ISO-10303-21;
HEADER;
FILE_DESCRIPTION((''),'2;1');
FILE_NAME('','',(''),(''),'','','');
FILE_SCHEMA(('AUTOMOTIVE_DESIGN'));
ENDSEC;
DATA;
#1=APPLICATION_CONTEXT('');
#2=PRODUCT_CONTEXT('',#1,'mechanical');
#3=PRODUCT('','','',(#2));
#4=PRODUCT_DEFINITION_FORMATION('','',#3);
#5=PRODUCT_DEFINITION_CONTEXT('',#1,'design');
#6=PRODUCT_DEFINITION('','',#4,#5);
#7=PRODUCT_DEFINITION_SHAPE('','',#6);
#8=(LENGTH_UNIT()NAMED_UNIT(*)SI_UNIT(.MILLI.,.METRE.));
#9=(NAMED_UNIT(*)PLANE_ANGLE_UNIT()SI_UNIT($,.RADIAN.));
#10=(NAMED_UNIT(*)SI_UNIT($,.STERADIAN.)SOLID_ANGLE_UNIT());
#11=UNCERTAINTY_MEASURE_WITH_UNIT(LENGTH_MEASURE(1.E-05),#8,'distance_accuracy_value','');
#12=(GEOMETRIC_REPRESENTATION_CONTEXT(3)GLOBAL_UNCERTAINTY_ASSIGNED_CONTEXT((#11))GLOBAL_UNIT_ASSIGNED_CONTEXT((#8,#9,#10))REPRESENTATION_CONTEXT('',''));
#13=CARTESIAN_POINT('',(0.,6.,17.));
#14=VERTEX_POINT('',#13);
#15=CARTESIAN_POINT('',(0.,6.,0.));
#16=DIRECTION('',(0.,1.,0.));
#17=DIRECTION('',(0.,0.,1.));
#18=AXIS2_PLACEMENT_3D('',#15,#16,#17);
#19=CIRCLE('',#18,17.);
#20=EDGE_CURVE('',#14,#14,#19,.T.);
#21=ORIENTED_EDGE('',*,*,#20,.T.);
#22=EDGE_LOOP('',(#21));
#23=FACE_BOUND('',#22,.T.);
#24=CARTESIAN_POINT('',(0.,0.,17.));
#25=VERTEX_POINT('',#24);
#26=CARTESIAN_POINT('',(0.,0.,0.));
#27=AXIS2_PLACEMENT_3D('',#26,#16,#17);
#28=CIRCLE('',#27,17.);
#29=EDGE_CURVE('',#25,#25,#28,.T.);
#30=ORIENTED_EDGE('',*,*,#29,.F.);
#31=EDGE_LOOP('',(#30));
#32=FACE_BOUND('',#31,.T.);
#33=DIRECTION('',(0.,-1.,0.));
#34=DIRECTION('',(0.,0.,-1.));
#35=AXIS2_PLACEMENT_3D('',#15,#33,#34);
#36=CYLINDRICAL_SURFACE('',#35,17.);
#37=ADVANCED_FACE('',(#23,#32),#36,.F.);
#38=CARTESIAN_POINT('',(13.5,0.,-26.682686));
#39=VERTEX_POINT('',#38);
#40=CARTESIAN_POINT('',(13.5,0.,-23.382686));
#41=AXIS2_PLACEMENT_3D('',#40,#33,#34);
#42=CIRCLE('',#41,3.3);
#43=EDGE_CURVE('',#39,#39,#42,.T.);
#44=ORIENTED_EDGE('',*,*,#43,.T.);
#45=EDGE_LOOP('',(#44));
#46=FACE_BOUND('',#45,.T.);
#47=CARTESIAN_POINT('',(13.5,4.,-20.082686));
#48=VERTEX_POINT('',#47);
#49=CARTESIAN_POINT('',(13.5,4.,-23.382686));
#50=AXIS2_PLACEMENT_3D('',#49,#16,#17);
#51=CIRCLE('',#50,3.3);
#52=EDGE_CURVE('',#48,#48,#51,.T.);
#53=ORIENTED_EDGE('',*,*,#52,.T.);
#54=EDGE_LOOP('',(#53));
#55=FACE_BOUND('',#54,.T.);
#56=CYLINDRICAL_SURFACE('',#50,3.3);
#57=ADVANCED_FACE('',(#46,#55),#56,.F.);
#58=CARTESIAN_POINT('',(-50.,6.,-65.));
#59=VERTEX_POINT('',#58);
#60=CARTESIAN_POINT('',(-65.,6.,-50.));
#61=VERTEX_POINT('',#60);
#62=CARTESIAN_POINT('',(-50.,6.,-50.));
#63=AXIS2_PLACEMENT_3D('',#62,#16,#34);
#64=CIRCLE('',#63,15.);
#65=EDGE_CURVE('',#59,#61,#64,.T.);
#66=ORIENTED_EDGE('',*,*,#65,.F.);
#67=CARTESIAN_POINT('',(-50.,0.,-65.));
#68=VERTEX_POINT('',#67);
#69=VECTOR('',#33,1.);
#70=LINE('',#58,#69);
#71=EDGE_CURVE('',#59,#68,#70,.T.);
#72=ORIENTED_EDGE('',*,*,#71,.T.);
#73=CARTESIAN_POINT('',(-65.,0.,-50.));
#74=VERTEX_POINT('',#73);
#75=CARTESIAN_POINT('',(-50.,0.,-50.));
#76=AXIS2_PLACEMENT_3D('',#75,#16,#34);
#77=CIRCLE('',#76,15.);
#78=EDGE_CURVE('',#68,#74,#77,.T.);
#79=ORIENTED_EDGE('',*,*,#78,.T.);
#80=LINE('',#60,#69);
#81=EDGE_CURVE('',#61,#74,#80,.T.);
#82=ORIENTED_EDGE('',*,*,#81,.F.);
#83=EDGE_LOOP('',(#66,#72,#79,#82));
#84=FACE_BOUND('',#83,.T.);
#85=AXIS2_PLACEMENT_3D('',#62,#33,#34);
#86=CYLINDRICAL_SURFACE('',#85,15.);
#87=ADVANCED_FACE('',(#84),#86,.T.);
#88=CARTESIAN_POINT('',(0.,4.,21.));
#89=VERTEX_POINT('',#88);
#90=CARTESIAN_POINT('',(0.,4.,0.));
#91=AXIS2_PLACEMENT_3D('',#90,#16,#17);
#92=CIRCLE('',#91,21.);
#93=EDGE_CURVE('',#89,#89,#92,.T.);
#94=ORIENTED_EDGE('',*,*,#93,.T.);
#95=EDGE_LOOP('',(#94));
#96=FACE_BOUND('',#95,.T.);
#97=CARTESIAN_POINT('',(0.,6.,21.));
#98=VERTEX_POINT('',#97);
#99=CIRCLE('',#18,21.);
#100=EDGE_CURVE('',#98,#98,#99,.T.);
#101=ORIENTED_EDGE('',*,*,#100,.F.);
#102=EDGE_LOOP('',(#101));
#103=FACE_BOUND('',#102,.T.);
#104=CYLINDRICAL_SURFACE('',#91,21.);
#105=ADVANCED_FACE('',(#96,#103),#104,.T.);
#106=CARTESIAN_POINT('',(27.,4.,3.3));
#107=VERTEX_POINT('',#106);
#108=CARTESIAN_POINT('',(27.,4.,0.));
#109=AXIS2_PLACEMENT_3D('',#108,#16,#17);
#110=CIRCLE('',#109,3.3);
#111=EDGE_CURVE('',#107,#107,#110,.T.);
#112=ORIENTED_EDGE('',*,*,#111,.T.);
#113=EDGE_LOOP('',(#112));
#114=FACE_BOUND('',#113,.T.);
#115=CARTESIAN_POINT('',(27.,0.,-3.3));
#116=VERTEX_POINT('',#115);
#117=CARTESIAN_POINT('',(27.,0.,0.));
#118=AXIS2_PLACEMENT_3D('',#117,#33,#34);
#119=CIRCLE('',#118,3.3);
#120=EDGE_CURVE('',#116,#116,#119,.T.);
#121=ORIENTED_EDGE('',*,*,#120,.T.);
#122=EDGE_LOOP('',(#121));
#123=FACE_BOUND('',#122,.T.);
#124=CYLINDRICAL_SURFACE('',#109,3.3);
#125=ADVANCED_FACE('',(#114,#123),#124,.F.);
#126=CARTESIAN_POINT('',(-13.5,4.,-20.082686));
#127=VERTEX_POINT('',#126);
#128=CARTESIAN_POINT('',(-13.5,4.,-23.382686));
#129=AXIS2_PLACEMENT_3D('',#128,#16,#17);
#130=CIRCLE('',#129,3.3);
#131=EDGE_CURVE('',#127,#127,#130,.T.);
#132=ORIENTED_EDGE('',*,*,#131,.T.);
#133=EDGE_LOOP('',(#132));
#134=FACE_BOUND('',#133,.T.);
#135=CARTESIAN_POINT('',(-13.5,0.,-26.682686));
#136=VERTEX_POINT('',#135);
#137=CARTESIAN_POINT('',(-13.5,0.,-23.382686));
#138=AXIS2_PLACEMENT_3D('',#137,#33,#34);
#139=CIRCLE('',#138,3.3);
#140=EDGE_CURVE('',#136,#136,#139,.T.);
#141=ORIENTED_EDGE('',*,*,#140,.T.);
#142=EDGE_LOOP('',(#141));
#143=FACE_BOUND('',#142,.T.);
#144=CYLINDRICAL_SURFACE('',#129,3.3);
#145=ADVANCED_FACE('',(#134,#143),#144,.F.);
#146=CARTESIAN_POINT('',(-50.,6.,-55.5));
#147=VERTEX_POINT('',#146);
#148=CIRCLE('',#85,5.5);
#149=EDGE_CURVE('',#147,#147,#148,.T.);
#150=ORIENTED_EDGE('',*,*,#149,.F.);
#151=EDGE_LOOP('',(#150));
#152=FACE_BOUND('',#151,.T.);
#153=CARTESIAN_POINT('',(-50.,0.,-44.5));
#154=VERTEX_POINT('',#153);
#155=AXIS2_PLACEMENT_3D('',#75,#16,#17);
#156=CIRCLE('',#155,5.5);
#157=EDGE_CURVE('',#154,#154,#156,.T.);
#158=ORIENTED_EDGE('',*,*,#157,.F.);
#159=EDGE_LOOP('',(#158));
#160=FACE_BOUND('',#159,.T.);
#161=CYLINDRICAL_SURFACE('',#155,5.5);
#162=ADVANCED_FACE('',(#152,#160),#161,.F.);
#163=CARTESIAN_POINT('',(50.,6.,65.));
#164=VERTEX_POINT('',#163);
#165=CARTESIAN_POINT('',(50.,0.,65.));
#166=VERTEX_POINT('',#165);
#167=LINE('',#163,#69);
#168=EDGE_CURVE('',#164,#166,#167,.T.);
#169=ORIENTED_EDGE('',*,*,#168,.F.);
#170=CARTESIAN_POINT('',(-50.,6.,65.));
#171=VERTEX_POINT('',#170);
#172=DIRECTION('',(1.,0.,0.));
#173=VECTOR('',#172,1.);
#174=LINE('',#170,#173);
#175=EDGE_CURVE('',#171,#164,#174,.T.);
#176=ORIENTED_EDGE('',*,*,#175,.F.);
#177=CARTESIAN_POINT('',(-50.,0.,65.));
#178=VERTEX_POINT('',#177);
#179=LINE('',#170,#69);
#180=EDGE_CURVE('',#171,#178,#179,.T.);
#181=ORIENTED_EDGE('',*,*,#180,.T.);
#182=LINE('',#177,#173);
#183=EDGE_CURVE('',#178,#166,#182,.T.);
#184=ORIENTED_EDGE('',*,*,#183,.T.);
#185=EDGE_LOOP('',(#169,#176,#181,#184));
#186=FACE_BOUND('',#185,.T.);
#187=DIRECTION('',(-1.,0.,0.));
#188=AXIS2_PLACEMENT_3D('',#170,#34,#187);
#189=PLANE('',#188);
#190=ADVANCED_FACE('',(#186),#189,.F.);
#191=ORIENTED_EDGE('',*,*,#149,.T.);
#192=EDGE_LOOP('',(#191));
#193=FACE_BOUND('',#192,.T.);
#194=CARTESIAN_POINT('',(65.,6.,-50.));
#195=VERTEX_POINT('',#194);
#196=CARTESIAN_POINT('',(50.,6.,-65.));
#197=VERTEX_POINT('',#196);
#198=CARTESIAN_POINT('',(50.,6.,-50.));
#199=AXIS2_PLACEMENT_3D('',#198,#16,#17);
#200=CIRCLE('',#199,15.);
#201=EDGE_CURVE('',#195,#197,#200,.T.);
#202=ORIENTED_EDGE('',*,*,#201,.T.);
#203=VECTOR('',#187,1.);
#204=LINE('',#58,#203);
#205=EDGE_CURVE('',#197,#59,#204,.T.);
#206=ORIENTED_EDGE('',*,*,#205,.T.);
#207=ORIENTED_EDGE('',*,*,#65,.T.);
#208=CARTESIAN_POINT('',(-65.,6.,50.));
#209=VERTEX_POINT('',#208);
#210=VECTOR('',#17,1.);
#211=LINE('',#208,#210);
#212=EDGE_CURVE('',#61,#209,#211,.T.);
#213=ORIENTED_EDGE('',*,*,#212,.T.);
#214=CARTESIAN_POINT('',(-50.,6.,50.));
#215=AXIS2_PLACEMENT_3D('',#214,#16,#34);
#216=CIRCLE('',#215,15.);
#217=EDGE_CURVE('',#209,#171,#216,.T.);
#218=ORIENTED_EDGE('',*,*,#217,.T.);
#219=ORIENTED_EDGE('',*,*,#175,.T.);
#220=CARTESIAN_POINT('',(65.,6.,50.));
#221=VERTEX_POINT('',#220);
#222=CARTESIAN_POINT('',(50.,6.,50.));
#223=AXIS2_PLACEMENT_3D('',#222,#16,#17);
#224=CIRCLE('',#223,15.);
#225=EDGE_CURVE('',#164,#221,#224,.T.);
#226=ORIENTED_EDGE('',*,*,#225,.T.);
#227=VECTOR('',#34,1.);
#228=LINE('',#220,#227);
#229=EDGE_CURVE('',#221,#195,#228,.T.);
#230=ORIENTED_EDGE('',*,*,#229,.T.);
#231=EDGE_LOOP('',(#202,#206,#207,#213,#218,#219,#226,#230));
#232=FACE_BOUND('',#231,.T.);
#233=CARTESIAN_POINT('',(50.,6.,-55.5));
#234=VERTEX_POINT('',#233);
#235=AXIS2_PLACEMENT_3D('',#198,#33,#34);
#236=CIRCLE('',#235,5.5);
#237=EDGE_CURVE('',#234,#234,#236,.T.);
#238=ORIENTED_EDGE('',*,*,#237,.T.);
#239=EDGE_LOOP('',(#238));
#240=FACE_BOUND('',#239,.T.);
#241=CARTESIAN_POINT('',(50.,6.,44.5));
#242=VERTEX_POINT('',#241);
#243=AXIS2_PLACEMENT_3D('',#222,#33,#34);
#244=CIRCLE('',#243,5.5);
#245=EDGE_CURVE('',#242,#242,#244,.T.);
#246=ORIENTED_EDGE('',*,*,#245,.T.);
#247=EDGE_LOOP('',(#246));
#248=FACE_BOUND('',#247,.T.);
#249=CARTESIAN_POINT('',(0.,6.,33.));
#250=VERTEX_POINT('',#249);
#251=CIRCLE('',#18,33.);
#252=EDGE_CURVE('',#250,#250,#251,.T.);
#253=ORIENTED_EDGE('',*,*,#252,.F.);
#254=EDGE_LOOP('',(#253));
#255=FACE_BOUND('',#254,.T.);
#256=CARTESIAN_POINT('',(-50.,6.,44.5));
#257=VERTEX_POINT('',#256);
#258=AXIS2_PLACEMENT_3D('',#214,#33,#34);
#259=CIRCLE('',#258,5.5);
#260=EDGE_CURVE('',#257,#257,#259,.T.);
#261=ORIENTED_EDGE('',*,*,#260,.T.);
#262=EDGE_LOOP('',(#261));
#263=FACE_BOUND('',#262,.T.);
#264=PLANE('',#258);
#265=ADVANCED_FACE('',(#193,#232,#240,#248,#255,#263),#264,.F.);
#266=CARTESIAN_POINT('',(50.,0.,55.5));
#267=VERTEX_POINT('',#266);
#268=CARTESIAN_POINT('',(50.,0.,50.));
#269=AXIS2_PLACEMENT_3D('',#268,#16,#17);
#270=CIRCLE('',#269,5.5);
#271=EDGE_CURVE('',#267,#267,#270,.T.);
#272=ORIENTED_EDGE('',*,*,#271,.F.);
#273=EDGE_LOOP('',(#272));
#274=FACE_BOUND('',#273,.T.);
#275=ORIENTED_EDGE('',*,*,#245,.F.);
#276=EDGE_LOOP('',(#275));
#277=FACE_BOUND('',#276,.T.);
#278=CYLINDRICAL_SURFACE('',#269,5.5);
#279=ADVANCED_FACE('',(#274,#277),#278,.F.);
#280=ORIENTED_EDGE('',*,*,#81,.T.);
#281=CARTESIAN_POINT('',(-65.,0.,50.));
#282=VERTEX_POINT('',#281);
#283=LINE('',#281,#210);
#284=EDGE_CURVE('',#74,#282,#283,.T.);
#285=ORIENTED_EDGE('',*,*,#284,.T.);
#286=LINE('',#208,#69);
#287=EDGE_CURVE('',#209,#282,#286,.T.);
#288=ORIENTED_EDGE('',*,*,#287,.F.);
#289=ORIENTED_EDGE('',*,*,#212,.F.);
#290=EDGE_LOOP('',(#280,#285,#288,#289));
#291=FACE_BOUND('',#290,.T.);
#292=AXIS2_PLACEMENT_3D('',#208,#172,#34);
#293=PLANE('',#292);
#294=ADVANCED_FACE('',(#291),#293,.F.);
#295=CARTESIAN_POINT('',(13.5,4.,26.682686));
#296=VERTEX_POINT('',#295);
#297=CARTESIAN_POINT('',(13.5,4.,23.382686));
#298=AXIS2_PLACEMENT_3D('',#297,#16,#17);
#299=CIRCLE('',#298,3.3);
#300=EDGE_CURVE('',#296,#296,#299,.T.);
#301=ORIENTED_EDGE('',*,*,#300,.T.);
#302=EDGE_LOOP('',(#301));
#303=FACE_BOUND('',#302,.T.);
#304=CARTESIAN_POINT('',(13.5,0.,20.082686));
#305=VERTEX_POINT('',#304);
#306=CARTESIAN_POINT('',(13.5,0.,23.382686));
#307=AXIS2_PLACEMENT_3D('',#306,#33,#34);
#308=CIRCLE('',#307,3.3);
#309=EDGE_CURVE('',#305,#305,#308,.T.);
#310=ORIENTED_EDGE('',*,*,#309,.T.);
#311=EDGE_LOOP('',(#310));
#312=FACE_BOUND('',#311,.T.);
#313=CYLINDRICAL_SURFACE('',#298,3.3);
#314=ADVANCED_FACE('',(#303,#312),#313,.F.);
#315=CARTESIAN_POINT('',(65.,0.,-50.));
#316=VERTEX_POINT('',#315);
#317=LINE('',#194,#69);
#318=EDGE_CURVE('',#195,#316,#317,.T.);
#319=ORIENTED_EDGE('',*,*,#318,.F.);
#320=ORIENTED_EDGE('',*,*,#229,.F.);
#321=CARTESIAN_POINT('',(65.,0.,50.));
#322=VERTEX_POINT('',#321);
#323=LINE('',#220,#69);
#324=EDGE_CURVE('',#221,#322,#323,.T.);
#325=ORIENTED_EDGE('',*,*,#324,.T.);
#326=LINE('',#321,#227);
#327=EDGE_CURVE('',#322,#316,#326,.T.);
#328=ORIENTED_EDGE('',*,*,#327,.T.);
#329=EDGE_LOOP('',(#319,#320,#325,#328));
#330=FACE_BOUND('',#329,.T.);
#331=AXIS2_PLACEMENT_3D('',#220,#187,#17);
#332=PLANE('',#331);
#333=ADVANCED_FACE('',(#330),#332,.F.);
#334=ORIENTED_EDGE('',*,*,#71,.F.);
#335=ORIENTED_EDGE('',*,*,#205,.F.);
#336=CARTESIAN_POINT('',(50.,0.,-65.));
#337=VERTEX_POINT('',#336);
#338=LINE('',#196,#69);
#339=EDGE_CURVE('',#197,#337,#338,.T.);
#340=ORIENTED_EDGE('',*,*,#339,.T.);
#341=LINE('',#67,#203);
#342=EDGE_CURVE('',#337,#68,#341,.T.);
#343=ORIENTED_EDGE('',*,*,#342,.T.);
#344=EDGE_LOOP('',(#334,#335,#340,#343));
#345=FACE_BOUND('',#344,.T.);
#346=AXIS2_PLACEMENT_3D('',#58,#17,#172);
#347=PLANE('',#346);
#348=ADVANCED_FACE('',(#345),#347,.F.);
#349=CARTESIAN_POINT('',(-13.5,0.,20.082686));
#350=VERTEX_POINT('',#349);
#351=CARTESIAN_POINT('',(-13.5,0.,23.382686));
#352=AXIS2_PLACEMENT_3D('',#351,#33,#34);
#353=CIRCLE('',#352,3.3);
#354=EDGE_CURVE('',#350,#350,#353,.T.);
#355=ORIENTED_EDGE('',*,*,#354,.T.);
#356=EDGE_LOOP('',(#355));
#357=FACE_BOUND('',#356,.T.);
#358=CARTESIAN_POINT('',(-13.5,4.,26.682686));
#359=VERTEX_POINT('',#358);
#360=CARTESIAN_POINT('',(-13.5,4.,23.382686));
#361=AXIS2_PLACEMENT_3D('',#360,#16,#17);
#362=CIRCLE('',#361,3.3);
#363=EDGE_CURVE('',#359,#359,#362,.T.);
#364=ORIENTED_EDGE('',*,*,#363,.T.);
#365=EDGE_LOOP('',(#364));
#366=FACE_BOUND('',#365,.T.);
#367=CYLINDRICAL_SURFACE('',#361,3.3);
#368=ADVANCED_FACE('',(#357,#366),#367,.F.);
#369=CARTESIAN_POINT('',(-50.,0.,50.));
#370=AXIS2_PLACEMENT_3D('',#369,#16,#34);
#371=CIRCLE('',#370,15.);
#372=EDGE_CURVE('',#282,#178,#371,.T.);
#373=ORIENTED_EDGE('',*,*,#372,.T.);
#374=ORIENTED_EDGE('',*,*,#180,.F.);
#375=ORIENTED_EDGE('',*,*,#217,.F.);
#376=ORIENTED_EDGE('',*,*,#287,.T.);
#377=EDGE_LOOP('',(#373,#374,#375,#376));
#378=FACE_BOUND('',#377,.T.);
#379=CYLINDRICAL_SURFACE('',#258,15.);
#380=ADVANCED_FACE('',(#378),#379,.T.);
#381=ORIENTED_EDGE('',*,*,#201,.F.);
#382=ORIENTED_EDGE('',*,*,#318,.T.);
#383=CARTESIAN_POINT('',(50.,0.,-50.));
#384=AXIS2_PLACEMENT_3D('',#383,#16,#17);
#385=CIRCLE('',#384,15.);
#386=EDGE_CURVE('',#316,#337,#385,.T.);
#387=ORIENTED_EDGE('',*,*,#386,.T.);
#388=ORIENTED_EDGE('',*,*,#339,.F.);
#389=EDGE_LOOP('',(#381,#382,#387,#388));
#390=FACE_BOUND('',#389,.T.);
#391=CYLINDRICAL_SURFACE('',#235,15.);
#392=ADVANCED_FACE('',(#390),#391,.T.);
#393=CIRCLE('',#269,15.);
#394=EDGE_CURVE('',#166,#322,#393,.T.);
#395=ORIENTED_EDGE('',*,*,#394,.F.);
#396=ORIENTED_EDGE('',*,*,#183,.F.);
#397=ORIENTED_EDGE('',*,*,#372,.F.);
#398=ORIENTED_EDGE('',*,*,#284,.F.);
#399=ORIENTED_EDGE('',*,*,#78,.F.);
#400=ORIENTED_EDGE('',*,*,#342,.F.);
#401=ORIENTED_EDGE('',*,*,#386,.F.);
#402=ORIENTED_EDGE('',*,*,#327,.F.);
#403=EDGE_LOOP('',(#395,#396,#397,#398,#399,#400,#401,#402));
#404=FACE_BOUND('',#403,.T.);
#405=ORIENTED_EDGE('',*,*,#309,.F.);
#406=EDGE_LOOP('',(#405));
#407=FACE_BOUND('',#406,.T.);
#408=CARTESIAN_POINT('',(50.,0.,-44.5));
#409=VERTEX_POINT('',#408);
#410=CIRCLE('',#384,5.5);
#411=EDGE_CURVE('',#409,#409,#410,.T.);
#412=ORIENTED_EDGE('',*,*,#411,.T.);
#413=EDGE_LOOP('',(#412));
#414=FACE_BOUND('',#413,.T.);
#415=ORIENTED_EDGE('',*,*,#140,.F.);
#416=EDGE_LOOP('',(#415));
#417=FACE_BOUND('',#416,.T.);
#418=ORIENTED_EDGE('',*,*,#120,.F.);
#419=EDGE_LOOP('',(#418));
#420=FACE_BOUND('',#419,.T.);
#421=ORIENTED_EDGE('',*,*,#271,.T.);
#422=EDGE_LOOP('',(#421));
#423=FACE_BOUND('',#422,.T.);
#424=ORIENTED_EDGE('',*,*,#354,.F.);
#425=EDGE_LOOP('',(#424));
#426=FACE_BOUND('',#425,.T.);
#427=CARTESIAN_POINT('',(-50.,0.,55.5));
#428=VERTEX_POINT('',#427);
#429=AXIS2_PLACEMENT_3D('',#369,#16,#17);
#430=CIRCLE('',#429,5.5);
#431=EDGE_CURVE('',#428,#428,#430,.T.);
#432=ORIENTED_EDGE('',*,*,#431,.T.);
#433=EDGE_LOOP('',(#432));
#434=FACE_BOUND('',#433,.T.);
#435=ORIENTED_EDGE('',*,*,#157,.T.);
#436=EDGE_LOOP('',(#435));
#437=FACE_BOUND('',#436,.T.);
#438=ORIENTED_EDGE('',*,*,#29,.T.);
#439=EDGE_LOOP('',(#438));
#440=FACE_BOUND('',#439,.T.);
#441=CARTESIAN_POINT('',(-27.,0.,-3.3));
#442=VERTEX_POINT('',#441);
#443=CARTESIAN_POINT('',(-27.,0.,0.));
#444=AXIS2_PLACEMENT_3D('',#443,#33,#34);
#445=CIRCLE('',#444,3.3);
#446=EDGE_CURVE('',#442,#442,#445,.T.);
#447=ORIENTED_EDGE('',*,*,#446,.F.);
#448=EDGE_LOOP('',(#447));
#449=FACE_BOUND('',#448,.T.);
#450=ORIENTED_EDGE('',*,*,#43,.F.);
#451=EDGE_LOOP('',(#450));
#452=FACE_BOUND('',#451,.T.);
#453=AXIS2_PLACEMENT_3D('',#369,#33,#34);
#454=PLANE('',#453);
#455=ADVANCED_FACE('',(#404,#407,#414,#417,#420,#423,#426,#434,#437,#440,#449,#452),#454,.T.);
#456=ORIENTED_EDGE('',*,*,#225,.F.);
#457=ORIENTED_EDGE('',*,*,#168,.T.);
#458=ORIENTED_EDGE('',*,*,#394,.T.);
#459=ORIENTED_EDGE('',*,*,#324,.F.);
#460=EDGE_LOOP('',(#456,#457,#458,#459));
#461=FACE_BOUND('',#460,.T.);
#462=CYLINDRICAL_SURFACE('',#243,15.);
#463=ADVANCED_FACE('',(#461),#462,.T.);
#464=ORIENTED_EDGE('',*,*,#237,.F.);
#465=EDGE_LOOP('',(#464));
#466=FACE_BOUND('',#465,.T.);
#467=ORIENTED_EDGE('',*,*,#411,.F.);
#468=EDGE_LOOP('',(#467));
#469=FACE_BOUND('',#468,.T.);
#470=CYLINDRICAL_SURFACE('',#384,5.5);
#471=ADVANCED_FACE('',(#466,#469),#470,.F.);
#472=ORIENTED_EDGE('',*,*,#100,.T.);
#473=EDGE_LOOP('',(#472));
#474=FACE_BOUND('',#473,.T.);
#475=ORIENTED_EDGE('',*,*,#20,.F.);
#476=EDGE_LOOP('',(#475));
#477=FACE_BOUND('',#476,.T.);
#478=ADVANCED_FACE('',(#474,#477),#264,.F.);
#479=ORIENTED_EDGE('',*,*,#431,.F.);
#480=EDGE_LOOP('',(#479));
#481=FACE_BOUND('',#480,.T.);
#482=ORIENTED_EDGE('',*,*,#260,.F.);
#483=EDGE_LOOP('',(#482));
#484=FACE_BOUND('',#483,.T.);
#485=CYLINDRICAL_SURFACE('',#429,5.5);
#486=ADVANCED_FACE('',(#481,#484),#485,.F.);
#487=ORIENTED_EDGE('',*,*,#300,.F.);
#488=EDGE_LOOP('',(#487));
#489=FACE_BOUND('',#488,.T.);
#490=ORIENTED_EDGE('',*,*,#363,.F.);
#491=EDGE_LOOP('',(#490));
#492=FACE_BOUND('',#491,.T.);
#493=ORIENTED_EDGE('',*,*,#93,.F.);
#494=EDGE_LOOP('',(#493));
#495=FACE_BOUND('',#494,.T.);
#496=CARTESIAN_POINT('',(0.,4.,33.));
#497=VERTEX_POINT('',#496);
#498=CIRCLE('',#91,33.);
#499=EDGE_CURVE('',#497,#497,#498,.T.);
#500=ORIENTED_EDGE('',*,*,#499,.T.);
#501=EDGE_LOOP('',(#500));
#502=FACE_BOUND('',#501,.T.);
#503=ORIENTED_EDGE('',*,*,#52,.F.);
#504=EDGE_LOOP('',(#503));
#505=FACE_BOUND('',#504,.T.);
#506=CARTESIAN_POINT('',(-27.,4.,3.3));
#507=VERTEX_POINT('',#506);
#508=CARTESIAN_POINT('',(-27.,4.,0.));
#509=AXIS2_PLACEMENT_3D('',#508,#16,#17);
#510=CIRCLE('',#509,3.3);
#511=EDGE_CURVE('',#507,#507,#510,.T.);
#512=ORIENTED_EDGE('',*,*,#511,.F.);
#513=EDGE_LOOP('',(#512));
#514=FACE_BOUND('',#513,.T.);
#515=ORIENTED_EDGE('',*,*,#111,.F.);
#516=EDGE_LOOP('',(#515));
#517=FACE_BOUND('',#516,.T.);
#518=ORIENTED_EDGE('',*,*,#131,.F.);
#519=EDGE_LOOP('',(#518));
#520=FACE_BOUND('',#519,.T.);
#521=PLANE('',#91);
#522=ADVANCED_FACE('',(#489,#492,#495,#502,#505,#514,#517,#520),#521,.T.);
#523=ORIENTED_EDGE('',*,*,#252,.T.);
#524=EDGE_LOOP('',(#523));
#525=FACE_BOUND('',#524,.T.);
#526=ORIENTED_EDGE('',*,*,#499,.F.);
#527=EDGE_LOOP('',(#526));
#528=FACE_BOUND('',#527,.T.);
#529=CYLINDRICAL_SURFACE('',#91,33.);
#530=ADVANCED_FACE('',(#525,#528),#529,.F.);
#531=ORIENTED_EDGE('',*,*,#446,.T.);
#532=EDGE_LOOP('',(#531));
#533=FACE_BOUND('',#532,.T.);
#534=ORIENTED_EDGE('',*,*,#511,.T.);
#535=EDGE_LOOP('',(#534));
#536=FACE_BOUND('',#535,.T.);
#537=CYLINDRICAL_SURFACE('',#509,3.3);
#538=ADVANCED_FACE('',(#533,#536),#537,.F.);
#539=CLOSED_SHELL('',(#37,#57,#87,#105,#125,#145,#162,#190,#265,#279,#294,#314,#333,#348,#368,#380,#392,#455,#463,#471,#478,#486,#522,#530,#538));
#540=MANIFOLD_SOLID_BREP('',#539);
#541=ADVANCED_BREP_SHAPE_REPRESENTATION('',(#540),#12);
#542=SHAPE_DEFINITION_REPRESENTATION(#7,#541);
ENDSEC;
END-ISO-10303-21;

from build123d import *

# Parameters (mm, degrees)
SKETCH1_R                = 17
BOSS_EXTRUDE1_DEPTH      = 6
SKETCH2_R                = 33
SKETCH2_R_2              = 21
CUT_EXTRUDE1_DEPTH       = 2
SKETCH3_R                = 5.5
CUT_EXTRUDE2_DEPTH       = 1
CUT_EXTRUDE2_DEPTH_BACK  = 7
M6_CLEARANCE_HOLE1_D     = 6.6
M6_CLEARANCE_HOLE1_DEPTH = 4
CIRPATTERN1_COUNT        = 6


with BuildPart() as part:
    # Sketch1 → Boss-Extrude1 (new body)
    with BuildSketch(Plane(origin=(0, 0, 0), x_dir=(1, 0, 0), z_dir=(0, 1, 0))):
        with BuildLine():
            Line((-50, -65), (50, -65))
            ThreePointArc((50, -65), (60.606601718, -60.606601718), (65, -50))
            Line((65, -50), (65, 50))
            ThreePointArc((65, 50), (60.606601718, 60.606601718), (50, 65))
            Line((50, 65), (-50, 65))
            ThreePointArc((-50, 65), (-60.606601718, 60.606601718), (-65, 50))
            Line((-65, 50), (-65, -50))
            ThreePointArc((-65, -50), (-60.606601718, -60.606601718), (-50, -65))
        make_face()
        Circle(SKETCH1_R, mode=Mode.SUBTRACT)
    extrude(amount=BOSS_EXTRUDE1_DEPTH)

    # Sketch2 → Cut-Extrude1 (cut)
    with BuildSketch(Plane(origin=(0, 6, 0), x_dir=(1, 0, 0), z_dir=(0, 1, 0))):
        Circle(SKETCH2_R)
        Circle(SKETCH2_R_2, mode=Mode.SUBTRACT)
    extrude(amount=-CUT_EXTRUDE1_DEPTH, mode=Mode.SUBTRACT)

    # Sketch3 → Cut-Extrude2 (cut, two sides)
    with BuildSketch(Plane(origin=(0, 6, 0), x_dir=(1, 0, 0), z_dir=(0, 1, 0))) as cut_extrude2_sk:
        with Locations((-50, 50)):
            Circle(SKETCH3_R)
        with Locations((50, 50)):
            Circle(SKETCH3_R)
        with Locations((50, -50)):
            Circle(SKETCH3_R)
        with Locations((-50, -50)):
            Circle(SKETCH3_R)
    extrude(amount=CUT_EXTRUDE2_DEPTH, mode=Mode.SUBTRACT)
    extrude(cut_extrude2_sk.sketch, amount=-CUT_EXTRUDE2_DEPTH_BACK, mode=Mode.SUBTRACT)

    # M6 Clearance Hole1
    with Locations(Plane(origin=(-27, 4, 0), x_dir=(0, 0, 1), z_dir=(0, 1, 0))):
        with Locations((0, 0)):
            m6_clearance_hole1 = Hole(M6_CLEARANCE_HOLE1_D / 2, depth=M6_CLEARANCE_HOLE1_DEPTH)

    # CirPattern1: M6 Clearance Hole1 ×6 about axis
    cirpattern1_axis = Axis((0, 0, 0), (0, 1, 0))
    for i in range(1, CIRPATTERN1_COUNT):
        add(m6_clearance_hole1.rotate(cirpattern1_axis, i * 360 / CIRPATTERN1_COUNT), mode=Mode.SUBTRACT)


solid = part.part
